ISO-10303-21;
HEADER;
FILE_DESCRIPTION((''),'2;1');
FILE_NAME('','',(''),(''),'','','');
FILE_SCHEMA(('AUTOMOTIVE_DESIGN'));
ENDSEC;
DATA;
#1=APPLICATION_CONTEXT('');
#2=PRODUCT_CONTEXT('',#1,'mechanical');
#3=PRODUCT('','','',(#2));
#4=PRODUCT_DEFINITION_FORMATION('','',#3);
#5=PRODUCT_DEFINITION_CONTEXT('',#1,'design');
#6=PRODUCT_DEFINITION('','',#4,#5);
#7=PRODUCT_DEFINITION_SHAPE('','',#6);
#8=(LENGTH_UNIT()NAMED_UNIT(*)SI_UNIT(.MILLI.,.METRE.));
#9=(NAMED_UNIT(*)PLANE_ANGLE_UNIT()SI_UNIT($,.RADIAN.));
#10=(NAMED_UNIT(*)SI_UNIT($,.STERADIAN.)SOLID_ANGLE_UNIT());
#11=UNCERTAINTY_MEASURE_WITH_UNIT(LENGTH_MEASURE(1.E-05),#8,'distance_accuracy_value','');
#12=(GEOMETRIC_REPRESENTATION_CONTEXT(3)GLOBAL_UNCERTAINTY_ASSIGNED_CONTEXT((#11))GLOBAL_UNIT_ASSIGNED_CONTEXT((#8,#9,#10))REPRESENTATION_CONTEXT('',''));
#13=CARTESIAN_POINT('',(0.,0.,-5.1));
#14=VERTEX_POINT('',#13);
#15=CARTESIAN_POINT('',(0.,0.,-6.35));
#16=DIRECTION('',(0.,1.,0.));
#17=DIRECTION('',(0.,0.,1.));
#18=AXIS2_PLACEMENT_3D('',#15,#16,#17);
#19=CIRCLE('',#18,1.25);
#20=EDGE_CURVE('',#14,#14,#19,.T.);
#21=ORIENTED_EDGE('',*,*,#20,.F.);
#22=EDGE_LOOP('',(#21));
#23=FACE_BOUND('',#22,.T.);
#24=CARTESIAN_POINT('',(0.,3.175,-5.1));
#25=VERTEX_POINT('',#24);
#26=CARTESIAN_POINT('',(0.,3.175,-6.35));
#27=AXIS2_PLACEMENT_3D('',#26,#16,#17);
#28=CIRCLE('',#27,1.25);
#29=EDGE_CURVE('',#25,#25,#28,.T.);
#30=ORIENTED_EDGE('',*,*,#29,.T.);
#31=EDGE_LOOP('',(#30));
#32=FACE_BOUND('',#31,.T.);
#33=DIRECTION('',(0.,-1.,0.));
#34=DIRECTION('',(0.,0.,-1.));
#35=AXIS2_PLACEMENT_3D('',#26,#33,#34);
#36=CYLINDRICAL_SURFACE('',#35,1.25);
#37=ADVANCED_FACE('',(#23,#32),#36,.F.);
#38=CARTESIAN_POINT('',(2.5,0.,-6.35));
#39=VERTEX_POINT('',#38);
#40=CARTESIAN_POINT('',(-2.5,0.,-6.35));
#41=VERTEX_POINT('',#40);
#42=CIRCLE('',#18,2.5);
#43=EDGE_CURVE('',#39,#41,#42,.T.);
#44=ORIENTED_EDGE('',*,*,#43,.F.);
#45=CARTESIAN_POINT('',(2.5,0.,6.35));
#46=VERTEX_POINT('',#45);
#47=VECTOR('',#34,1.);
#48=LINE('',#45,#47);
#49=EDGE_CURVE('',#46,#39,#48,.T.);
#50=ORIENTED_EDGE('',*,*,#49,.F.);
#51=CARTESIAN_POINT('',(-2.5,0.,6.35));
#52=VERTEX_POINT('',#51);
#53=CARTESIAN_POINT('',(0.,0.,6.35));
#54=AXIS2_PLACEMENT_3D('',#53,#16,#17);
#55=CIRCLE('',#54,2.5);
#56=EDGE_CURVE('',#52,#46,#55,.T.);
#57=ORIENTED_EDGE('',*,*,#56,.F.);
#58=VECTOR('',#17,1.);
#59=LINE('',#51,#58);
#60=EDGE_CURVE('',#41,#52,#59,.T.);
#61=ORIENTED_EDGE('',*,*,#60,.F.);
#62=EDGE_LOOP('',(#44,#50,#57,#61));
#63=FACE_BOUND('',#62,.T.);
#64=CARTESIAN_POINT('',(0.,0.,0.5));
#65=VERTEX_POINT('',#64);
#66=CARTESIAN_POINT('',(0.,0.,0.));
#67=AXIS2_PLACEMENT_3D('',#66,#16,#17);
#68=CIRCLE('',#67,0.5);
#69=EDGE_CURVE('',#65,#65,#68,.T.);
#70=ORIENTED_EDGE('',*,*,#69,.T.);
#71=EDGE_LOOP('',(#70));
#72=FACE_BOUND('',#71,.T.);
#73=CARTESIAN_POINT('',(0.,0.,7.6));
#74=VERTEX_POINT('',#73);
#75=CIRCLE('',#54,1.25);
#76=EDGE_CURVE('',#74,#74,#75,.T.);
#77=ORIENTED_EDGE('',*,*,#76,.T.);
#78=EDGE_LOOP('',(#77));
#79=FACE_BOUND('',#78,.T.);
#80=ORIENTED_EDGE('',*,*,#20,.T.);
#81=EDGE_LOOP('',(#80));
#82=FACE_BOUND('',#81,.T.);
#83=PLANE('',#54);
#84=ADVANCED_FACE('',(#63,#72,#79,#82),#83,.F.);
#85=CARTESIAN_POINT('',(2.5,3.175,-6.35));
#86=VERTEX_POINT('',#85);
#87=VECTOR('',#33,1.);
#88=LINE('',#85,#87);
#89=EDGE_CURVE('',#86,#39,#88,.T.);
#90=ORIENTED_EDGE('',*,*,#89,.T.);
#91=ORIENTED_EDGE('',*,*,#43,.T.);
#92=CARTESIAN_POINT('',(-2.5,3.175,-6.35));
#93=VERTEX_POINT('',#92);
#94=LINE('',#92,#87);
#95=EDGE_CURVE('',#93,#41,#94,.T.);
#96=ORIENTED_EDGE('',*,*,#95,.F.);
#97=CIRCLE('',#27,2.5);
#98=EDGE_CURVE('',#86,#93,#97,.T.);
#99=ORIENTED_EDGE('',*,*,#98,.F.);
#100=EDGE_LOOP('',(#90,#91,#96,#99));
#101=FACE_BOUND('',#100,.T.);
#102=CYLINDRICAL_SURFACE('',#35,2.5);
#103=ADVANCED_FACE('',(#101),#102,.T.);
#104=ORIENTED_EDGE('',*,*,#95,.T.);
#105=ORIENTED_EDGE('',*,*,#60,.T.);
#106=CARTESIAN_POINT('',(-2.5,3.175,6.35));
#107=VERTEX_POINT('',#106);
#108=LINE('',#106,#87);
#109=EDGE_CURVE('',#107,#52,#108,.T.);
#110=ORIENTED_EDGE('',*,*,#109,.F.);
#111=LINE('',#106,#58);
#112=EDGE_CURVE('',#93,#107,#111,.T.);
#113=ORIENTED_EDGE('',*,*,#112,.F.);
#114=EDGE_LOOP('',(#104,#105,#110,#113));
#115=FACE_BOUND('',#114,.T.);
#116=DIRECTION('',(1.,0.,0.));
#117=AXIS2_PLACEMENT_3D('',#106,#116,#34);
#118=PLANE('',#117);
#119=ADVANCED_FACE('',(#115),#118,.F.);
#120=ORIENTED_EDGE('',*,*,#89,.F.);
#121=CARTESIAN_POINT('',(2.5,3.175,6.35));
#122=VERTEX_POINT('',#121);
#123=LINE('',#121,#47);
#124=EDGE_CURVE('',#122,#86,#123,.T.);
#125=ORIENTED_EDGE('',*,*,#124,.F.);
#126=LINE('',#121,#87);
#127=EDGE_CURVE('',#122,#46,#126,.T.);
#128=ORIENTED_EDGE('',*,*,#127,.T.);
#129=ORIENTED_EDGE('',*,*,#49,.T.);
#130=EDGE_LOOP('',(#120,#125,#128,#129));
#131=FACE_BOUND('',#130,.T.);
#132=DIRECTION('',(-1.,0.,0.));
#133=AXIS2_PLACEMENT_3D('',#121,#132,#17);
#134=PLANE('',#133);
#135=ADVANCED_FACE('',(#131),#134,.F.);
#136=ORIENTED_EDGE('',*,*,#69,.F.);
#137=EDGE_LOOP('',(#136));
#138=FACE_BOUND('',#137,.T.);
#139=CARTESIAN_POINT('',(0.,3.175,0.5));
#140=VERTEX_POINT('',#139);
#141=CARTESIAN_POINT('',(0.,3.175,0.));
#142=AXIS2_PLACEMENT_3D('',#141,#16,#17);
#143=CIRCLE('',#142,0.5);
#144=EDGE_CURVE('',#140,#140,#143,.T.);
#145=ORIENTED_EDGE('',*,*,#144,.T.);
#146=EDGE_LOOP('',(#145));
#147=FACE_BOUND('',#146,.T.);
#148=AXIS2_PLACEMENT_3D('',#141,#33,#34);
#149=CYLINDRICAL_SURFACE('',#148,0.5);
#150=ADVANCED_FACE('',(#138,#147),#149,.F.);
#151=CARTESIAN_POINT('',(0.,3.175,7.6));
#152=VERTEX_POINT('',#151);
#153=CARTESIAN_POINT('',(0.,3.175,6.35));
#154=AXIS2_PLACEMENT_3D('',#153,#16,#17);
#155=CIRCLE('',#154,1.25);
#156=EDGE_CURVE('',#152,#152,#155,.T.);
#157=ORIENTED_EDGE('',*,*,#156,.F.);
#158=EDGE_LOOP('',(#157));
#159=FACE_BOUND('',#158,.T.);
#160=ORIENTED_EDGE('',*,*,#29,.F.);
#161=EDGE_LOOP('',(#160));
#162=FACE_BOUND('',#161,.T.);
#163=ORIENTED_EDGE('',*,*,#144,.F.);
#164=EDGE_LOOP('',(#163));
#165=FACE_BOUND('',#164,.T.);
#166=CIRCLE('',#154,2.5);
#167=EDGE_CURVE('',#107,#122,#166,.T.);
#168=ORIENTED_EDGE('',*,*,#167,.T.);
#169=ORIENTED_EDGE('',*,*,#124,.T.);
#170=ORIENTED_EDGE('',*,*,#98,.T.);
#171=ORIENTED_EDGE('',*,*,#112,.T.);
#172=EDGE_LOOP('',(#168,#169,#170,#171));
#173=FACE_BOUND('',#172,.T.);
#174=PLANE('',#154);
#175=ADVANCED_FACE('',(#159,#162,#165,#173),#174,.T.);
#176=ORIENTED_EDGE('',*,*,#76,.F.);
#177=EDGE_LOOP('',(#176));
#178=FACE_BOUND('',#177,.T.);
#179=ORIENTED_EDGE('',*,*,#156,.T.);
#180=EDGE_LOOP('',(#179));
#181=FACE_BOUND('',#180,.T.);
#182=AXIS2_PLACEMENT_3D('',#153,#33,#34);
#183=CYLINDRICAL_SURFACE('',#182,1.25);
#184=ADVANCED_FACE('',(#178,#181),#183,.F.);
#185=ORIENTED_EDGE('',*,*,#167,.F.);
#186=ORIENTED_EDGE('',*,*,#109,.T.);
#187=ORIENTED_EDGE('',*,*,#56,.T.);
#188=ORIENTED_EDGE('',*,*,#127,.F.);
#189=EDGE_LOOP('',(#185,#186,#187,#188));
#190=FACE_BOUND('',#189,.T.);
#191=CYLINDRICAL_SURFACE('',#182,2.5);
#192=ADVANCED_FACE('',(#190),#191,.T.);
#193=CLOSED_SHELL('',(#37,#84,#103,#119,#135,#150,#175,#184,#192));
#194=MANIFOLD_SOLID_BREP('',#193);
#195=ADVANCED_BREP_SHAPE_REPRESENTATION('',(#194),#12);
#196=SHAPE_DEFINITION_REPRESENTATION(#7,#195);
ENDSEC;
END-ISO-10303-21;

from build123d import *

# Parameters (mm, degrees)
SKETCH1_R           = 1.25
SKETCH1_R_2         = 0.5
BOSS_EXTRUDE1_DEPTH = 3.175


with BuildPart() as part:
    # Sketch1 → Boss-Extrude1 (new body)
    with BuildSketch(Plane(origin=(0, 0, 0), x_dir=(1, 0, 0), z_dir=(0, 1, 0))):
        with BuildLine():
            Line((-2.5, -6.35), (-2.5, 6.35))
            ThreePointArc((-2.5, 6.35), (0, 8.85), (2.5, 6.35))
            Line((2.5, 6.35), (2.5, -6.35))
            ThreePointArc((2.5, -6.35), (0, -8.85), (-2.5, -6.35))
        make_face()
        with Locations(Location((0, 6.35, 0), (0, 0, 270))):
            Circle(SKETCH1_R, mode=Mode.SUBTRACT)
        with Locations(Location((0, -6.35, 0), (0, 0, 270))):
            Circle(SKETCH1_R, mode=Mode.SUBTRACT)
        with Locations(Location((0, 0, 0), (0, 0, 270))):
            Circle(SKETCH1_R_2, mode=Mode.SUBTRACT)
    extrude(amount=BOSS_EXTRUDE1_DEPTH)


solid = part.part
